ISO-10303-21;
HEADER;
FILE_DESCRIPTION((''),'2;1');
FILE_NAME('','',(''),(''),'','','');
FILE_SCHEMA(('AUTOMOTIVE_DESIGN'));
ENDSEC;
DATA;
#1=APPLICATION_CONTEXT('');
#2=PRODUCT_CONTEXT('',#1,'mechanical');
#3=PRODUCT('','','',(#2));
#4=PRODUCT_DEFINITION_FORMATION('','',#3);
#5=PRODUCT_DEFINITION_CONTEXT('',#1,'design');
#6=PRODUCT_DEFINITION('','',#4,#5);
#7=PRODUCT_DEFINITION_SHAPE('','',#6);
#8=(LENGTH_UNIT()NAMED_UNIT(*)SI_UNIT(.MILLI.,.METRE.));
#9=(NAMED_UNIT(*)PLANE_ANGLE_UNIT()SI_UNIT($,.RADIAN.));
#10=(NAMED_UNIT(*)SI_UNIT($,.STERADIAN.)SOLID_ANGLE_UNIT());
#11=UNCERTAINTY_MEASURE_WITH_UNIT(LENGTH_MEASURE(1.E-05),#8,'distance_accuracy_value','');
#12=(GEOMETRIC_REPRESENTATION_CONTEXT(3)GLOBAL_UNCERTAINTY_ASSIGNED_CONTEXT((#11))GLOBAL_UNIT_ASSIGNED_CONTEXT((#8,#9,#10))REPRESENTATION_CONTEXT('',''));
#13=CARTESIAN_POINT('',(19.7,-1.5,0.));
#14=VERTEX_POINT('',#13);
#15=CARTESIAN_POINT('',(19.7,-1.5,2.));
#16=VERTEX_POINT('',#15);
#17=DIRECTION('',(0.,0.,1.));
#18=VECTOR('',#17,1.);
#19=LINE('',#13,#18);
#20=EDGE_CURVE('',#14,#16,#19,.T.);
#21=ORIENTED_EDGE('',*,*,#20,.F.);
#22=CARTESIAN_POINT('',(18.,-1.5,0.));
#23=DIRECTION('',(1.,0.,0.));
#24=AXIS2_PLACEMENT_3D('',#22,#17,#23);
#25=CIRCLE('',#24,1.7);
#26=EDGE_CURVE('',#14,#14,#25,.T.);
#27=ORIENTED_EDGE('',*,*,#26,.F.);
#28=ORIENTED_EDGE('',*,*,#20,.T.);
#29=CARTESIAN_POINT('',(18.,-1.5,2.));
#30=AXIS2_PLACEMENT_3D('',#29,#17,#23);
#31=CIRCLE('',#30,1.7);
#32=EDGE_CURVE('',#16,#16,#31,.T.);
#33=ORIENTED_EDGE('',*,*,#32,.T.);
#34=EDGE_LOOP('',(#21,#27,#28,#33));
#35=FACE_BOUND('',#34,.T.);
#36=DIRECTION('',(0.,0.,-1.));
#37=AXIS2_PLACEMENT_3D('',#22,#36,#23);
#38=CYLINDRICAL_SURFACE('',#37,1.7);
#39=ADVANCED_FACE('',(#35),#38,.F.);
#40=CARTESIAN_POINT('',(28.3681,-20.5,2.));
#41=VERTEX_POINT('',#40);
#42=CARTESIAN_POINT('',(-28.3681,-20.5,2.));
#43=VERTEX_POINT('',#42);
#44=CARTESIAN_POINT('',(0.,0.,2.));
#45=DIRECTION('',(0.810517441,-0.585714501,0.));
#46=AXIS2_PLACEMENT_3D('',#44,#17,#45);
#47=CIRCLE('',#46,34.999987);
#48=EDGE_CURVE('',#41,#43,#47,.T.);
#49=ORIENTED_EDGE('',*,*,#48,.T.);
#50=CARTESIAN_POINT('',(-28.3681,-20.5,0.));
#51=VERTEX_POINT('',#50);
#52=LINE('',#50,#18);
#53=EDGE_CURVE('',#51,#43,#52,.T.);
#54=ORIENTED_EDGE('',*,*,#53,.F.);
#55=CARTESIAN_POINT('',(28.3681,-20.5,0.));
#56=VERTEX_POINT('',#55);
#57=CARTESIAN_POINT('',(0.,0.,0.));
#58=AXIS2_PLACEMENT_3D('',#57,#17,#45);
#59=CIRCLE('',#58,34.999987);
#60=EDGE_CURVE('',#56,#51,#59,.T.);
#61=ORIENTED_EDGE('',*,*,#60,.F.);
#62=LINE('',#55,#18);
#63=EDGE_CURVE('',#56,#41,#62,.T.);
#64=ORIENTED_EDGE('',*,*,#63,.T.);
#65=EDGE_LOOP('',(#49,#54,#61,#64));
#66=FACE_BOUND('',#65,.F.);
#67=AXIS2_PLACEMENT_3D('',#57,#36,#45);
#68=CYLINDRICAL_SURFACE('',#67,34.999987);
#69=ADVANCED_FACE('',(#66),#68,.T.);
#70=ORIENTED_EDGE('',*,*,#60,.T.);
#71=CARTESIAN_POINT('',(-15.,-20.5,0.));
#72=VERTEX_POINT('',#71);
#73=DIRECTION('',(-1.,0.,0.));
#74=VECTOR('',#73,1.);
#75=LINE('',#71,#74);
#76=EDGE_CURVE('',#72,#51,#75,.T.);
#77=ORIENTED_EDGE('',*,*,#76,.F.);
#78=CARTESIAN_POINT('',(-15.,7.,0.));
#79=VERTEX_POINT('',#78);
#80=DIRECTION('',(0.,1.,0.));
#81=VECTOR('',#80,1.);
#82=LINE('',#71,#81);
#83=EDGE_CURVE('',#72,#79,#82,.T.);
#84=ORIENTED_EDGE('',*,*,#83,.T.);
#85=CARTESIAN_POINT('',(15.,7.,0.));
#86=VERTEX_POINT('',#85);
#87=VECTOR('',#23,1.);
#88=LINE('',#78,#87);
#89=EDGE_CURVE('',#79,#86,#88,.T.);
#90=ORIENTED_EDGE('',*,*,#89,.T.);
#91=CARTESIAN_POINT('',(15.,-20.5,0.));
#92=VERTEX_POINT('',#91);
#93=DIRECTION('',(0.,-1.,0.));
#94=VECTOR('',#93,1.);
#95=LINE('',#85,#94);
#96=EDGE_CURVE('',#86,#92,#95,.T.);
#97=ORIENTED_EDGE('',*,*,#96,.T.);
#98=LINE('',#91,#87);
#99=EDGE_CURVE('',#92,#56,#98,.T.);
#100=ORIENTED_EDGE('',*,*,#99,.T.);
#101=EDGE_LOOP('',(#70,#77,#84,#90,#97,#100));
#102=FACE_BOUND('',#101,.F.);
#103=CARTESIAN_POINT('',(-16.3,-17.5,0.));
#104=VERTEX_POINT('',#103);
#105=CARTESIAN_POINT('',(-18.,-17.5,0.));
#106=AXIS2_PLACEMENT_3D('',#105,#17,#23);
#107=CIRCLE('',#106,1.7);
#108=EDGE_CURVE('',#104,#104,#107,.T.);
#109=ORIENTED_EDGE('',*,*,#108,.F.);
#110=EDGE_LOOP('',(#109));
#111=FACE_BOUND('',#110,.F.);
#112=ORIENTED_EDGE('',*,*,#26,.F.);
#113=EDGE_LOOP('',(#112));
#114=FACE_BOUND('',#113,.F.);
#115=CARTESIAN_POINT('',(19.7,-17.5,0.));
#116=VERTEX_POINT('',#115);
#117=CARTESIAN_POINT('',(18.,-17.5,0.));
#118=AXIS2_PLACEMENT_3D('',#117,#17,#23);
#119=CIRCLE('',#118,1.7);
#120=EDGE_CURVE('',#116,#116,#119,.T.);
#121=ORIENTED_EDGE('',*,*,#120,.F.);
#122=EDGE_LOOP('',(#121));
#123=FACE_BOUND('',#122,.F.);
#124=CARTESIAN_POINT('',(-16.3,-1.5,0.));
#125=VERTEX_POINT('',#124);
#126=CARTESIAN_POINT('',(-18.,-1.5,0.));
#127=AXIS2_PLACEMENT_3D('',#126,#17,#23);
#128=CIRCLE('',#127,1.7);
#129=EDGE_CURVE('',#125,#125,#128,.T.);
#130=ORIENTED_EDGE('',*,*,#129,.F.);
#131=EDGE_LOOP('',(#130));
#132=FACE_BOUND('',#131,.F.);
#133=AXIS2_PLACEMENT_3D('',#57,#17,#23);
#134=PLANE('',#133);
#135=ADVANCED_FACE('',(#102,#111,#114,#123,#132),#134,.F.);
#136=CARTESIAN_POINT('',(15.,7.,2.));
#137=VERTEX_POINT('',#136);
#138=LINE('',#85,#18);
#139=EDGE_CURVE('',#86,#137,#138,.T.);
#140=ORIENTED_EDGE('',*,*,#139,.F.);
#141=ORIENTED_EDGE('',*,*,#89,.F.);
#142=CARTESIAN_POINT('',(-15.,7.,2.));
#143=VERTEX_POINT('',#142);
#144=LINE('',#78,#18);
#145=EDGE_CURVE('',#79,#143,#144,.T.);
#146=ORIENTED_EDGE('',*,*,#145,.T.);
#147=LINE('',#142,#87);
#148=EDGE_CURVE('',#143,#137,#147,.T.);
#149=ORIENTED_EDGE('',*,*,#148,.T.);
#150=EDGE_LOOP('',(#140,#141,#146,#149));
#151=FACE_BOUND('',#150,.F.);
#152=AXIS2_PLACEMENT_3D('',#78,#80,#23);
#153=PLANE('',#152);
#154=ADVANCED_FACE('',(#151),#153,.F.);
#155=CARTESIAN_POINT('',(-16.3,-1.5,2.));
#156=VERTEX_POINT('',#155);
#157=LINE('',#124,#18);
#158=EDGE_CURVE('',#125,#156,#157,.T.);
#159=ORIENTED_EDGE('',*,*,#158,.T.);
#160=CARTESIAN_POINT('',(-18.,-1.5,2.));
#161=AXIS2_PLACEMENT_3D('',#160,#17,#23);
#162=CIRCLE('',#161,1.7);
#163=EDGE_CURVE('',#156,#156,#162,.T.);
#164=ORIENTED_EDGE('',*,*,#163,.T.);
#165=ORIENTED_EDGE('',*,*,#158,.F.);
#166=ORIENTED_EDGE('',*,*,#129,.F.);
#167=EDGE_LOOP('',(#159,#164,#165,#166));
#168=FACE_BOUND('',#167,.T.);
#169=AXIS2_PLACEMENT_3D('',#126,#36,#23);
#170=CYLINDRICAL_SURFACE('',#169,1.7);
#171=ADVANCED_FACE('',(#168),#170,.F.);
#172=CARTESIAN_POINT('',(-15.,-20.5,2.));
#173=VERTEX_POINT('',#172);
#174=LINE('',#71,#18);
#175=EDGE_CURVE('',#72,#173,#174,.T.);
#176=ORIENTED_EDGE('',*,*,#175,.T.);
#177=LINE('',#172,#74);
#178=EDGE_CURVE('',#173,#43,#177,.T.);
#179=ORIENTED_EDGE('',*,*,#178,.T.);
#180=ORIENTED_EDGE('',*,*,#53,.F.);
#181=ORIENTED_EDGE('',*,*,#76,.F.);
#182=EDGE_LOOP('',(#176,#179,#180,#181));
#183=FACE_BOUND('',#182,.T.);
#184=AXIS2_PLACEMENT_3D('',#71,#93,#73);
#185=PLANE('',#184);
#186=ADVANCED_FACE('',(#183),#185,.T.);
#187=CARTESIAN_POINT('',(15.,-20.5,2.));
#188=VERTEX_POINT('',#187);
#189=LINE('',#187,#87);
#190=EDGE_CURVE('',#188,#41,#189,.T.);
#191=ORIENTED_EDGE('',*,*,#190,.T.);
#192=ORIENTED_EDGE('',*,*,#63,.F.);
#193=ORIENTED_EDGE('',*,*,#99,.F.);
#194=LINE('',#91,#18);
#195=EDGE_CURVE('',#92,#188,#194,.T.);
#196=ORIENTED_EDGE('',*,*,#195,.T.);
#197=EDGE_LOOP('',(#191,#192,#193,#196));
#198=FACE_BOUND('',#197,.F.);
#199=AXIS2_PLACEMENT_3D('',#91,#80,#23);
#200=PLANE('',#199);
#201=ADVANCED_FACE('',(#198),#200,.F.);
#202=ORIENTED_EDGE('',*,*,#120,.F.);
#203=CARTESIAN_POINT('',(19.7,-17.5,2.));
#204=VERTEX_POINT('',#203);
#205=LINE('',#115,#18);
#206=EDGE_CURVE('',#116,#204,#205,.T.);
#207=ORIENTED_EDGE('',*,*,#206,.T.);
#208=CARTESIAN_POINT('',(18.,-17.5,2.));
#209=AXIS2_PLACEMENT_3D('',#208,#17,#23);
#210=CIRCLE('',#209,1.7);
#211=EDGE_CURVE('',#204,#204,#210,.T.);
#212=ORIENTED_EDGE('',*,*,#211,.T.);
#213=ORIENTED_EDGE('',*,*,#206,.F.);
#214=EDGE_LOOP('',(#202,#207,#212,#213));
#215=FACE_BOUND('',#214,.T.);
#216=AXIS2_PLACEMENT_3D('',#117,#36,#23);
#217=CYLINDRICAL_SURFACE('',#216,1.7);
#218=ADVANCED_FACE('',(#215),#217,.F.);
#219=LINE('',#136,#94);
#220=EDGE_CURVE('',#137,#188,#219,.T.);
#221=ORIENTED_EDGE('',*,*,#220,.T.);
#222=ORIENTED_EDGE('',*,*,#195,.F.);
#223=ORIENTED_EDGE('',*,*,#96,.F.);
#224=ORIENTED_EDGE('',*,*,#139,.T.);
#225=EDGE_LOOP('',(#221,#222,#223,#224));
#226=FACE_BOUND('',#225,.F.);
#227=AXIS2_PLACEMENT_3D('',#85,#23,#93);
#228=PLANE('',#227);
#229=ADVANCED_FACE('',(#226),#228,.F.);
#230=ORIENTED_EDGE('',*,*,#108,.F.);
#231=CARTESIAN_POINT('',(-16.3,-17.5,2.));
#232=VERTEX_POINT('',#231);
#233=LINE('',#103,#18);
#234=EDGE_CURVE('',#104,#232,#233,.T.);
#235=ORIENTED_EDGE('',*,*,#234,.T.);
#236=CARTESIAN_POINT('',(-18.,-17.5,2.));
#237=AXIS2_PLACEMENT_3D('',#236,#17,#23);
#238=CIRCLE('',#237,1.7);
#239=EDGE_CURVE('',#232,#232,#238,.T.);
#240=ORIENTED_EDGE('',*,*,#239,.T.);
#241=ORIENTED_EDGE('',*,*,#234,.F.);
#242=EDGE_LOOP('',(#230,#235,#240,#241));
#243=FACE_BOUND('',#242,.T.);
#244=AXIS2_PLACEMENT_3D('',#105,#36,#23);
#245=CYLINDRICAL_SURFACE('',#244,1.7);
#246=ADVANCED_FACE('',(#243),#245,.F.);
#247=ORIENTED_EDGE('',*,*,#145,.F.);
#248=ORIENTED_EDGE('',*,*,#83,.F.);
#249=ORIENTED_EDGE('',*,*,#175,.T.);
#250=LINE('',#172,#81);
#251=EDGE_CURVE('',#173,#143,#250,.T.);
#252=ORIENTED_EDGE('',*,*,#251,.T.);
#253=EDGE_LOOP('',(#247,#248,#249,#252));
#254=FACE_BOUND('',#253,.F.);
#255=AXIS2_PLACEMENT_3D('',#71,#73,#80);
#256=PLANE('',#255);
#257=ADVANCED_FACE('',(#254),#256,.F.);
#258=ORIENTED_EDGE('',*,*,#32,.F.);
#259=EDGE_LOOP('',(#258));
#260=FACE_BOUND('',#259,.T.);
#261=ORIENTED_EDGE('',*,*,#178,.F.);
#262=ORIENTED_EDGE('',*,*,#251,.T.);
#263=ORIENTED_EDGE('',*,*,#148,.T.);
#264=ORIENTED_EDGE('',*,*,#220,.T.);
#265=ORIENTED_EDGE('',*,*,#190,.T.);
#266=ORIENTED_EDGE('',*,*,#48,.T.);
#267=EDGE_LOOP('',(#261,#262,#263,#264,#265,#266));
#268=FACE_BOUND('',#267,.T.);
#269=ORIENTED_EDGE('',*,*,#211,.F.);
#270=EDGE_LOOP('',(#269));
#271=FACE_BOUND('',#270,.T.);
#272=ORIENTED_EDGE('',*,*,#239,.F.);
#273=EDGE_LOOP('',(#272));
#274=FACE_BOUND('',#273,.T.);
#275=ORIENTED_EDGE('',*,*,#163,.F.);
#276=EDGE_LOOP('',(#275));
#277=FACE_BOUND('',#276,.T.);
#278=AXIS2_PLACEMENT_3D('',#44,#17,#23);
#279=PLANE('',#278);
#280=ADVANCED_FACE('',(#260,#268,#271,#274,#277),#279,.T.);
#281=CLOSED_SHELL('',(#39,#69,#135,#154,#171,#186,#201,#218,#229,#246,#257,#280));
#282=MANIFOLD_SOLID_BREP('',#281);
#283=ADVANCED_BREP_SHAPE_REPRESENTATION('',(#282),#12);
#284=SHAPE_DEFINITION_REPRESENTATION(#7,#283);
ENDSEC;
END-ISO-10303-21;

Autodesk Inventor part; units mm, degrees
ref_plane "YZ Plane" through (0, 0, 0) normal (1, 0, 0) x (0, 1, 0)
ref_plane "XZ Plane" through (0, 0, 0) normal (0, 1, 0) x (-1, 0, 0)
ref_plane "XY Plane" through (0, 0, 0) normal (0, 0, 1) x (1, 0, 0)
sketch "Skizze1" plane through (0, 0, 0) normal (0, 0, 1) x (1, 0, 0)
  line L0 (-15, -20.5) -> (-15, 7)
  line L1 (-15, 7) -> (15, 7)
  line L2 (15, 7) -> (15, -20.5)
  arc A0 (28.3681, -20.5) -> (-28.3681, -20.5) centre (0, 0) ccw
  line L3 (-15, -20.5) -> (-28.3681, -20.5)
  line L4 (15, -20.5) -> (28.3681, -20.5)
  circle A1 centre (-18, -1.5) radius 1.7
  circle A2 centre (18, -1.5) radius 1.7
  circle A3 centre (-18, -17.5) radius 1.7
  circle A4 centre (18, -17.5) radius 1.7
  point P0 (0, 7)
  dimension "d0" = 3.4
  dimension "d5" = 3
  dimension "d6" = 3
  dimension "d7" = 32.6
  dimension "d8" = 35
  dimension "d9" = 16
  dimension "d12" = 3
  dimension "d14" = 20.5
  dimension "d15" = 27.5
extrude "Extrusion1" add sketch "Skizze1" along normal blind 2
equation "\"d6\" = d5"
equation "\"d12\" = d5"
properties part number "Platine"
